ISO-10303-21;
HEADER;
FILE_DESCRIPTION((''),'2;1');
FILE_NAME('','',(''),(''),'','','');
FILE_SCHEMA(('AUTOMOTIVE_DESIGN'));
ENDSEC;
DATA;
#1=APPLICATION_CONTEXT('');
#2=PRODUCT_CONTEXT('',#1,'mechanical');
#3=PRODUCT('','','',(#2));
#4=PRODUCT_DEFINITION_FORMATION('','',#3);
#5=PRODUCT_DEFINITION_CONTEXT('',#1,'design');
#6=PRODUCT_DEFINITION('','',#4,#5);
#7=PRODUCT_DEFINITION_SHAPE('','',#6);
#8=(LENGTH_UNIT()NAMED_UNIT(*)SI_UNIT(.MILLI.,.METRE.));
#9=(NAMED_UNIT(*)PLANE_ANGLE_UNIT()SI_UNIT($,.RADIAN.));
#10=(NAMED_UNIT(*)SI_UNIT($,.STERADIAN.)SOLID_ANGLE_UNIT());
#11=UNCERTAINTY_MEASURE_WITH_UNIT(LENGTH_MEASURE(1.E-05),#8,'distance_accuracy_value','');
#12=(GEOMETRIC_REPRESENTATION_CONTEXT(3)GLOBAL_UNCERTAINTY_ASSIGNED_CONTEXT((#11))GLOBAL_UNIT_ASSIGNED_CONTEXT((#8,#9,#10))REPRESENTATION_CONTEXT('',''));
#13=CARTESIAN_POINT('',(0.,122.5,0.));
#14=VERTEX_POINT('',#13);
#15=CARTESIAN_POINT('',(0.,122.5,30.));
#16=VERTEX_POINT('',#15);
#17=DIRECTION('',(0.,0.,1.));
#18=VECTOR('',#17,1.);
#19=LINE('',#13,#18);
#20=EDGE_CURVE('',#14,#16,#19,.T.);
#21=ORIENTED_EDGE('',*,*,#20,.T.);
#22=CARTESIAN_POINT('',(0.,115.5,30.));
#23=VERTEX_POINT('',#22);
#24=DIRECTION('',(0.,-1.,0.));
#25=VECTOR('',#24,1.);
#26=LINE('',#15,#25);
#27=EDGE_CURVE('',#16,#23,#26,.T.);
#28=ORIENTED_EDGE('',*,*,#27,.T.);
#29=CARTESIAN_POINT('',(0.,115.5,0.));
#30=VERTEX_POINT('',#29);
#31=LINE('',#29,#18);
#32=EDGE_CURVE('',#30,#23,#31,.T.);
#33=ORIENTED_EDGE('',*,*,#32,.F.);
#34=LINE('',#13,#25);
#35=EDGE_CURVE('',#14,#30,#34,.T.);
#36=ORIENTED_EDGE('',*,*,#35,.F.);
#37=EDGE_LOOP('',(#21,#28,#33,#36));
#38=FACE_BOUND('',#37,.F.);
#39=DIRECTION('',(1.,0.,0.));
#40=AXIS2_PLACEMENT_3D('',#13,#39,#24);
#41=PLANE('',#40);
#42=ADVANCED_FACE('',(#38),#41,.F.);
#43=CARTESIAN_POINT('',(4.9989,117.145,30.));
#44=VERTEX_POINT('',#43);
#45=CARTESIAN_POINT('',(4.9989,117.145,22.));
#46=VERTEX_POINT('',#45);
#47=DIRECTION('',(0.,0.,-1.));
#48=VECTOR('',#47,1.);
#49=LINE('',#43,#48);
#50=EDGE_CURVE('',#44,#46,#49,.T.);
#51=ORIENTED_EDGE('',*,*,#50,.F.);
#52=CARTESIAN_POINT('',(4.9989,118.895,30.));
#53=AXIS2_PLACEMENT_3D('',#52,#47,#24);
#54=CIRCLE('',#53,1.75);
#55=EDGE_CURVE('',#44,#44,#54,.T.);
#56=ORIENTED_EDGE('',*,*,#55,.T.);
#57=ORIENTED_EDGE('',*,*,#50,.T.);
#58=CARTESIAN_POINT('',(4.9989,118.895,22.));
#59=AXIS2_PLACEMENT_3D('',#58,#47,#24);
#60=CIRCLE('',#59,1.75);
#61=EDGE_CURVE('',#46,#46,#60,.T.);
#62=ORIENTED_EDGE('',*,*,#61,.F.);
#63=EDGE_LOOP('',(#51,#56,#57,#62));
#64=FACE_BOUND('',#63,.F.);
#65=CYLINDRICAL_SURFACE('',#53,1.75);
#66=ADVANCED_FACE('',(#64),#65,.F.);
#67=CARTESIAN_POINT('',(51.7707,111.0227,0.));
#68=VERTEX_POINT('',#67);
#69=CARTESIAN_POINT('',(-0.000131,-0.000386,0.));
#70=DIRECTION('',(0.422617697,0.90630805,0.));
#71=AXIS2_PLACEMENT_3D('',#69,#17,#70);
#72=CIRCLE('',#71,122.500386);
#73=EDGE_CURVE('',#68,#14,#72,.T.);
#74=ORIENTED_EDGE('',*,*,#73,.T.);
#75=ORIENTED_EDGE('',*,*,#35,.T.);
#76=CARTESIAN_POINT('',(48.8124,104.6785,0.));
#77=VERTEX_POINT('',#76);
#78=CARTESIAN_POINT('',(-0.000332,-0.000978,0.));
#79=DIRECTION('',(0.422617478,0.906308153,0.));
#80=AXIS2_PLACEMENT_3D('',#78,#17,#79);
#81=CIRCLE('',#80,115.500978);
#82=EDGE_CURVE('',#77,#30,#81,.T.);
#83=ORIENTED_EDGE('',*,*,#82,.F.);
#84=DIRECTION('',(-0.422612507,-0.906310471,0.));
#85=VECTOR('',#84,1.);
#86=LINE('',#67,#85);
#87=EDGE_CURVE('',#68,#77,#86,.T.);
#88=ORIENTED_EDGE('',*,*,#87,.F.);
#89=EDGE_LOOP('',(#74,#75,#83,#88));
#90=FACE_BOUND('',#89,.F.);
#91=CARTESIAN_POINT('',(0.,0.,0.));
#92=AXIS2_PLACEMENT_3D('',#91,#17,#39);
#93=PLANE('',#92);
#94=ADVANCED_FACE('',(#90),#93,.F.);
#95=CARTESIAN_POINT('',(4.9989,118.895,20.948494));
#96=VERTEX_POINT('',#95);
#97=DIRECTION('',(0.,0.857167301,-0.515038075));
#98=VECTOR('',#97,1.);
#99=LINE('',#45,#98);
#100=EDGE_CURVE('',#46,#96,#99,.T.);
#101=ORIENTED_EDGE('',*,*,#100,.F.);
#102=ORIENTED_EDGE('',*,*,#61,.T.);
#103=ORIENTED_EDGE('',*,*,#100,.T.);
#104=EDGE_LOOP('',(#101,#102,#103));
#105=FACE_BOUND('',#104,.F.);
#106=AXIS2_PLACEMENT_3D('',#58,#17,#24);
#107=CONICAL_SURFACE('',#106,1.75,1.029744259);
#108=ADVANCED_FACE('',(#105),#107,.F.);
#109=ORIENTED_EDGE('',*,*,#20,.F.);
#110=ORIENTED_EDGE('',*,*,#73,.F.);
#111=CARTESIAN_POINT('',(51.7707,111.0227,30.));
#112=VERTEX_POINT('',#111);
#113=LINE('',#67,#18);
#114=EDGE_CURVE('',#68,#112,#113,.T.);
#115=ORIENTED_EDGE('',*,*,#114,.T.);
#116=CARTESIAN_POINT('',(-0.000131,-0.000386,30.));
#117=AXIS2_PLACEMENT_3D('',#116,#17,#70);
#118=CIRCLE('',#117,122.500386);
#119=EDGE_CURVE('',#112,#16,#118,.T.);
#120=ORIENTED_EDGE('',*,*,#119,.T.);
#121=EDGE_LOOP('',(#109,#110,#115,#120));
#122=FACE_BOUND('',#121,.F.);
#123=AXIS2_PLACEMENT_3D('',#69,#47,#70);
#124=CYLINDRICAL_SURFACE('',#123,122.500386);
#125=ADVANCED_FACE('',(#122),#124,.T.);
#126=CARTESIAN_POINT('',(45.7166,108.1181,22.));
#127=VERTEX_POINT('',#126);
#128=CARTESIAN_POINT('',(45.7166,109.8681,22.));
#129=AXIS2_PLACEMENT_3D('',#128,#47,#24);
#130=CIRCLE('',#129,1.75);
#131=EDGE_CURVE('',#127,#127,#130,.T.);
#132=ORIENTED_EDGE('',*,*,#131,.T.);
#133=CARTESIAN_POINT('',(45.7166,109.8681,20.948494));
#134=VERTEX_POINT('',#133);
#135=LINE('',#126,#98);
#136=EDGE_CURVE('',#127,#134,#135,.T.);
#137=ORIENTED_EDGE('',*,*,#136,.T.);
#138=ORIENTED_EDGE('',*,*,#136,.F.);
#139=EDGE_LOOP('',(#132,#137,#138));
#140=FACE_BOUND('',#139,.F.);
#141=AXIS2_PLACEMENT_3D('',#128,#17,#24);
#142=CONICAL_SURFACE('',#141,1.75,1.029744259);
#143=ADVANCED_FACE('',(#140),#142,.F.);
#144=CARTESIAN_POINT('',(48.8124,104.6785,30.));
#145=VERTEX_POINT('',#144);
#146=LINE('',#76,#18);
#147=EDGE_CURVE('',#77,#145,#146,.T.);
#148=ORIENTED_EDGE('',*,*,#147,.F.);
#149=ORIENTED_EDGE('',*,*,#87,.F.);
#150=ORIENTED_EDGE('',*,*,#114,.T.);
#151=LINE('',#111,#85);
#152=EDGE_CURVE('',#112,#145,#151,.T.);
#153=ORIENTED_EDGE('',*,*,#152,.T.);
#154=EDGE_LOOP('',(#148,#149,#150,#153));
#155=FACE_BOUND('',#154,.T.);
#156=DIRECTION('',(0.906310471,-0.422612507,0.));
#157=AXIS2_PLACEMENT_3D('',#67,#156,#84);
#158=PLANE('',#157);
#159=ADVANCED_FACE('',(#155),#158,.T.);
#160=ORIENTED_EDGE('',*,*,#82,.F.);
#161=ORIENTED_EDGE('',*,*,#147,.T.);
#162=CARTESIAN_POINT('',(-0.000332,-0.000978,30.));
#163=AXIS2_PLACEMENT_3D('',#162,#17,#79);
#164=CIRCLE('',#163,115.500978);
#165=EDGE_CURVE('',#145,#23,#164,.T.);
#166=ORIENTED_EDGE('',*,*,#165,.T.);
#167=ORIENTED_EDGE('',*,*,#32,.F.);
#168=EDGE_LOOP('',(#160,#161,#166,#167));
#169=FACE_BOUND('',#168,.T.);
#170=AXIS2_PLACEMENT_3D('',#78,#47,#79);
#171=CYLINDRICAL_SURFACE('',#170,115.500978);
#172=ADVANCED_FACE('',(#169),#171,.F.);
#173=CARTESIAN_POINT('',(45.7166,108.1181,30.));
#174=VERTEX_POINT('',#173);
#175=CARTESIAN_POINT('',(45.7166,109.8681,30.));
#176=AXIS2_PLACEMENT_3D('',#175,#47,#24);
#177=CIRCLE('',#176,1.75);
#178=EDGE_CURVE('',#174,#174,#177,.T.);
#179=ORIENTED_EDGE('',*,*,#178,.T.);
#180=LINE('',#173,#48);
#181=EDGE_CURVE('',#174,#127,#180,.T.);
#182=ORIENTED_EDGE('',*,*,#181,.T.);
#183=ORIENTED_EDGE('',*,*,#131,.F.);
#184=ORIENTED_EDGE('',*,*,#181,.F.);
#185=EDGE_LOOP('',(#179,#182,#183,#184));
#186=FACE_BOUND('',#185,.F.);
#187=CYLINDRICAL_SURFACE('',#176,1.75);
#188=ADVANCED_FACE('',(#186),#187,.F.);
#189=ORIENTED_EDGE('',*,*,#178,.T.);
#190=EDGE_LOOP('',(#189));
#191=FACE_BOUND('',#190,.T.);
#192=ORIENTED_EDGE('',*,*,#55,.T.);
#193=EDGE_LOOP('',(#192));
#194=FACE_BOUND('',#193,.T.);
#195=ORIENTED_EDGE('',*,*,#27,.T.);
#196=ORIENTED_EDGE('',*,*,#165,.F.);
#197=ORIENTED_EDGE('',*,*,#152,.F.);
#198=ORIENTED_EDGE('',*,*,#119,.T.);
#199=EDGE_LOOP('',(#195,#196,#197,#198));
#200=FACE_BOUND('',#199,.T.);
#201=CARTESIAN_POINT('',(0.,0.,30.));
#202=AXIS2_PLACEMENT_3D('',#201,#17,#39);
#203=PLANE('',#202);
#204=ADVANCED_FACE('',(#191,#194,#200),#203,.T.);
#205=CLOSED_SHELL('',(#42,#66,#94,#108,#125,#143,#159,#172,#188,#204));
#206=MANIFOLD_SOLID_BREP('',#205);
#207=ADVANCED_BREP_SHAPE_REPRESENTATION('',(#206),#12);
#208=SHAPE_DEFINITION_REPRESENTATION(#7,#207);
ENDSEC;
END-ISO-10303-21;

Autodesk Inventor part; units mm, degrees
ref_plane "YZ Plane" through (0, 0, 0) normal (1, 0, 0) x (0, 1, 0)
ref_plane "XZ Plane" through (0, 0, 0) normal (0, 1, 0) x (-1, 0, 0)
ref_plane "XY Plane" through (0, 0, 0) normal (0, 0, 1) x (1, 0, 0)
sketch "スケッチ1" plane through (0, 0, 0) normal (0, 0, 1) x (1, 0, 0)
  arc A0 (51.7707, 111.0227) -> (0, 122.5) centre (0, 0) ccw
  line L0 (0, 0) -> (0, 122.5) construction
  line L1 (0, 0) -> (122.5, 0) construction
  line L2 (0, 0) -> (51.7707, 111.0227) construction
  arc A1 (48.8124, 104.6785) -> (0, 115.5) centre (0, 0) ccw
  line L3 (0, 122.5) -> (0, 115.5)
  line L4 (51.7707, 111.0227) -> (48.8124, 104.6785)
  dimension "d0" = 122.5
  dimension "d1" = 90
  dimension "d2" = 25
  dimension "d3" = 7
extrude "押し出し1" add sketch "スケッチ1" along normal blind 30
sketch "スケッチ2" plane through (0, 0, 30) normal (0, 0, 1) x (1, 0, 0)
  arc A0 (51.7707, 111.0227) -> (0, 122.5) centre (0, 0) ccw projected
  arc A1 (30.7995, 114.9452) -> (0, 119) centre (0, 0) ccw construction
  line L0 (0, 122.5) -> (0, 115.5) projected
  line L1 (48.8124, 104.6785) -> (51.7707, 111.0227) projected
  point P0 (4.9989, 118.895)
  point P1 (45.7166, 109.8681)
  point P2 (0, 119)
  point P3 (50.2916, 107.8506)
  dimension "d6" = 3.5
  dimension "d7" = 5
  dimension "d8" = 5
hole "穴1" at (4.9989, 118.895, 30) at (45.7166, 109.8681, 30) direction (0, 0, -1) diameter 3.5 depth 8 tip angle 118
equation "\"d8\" = d7"
properties part number "3D_base-connect"
